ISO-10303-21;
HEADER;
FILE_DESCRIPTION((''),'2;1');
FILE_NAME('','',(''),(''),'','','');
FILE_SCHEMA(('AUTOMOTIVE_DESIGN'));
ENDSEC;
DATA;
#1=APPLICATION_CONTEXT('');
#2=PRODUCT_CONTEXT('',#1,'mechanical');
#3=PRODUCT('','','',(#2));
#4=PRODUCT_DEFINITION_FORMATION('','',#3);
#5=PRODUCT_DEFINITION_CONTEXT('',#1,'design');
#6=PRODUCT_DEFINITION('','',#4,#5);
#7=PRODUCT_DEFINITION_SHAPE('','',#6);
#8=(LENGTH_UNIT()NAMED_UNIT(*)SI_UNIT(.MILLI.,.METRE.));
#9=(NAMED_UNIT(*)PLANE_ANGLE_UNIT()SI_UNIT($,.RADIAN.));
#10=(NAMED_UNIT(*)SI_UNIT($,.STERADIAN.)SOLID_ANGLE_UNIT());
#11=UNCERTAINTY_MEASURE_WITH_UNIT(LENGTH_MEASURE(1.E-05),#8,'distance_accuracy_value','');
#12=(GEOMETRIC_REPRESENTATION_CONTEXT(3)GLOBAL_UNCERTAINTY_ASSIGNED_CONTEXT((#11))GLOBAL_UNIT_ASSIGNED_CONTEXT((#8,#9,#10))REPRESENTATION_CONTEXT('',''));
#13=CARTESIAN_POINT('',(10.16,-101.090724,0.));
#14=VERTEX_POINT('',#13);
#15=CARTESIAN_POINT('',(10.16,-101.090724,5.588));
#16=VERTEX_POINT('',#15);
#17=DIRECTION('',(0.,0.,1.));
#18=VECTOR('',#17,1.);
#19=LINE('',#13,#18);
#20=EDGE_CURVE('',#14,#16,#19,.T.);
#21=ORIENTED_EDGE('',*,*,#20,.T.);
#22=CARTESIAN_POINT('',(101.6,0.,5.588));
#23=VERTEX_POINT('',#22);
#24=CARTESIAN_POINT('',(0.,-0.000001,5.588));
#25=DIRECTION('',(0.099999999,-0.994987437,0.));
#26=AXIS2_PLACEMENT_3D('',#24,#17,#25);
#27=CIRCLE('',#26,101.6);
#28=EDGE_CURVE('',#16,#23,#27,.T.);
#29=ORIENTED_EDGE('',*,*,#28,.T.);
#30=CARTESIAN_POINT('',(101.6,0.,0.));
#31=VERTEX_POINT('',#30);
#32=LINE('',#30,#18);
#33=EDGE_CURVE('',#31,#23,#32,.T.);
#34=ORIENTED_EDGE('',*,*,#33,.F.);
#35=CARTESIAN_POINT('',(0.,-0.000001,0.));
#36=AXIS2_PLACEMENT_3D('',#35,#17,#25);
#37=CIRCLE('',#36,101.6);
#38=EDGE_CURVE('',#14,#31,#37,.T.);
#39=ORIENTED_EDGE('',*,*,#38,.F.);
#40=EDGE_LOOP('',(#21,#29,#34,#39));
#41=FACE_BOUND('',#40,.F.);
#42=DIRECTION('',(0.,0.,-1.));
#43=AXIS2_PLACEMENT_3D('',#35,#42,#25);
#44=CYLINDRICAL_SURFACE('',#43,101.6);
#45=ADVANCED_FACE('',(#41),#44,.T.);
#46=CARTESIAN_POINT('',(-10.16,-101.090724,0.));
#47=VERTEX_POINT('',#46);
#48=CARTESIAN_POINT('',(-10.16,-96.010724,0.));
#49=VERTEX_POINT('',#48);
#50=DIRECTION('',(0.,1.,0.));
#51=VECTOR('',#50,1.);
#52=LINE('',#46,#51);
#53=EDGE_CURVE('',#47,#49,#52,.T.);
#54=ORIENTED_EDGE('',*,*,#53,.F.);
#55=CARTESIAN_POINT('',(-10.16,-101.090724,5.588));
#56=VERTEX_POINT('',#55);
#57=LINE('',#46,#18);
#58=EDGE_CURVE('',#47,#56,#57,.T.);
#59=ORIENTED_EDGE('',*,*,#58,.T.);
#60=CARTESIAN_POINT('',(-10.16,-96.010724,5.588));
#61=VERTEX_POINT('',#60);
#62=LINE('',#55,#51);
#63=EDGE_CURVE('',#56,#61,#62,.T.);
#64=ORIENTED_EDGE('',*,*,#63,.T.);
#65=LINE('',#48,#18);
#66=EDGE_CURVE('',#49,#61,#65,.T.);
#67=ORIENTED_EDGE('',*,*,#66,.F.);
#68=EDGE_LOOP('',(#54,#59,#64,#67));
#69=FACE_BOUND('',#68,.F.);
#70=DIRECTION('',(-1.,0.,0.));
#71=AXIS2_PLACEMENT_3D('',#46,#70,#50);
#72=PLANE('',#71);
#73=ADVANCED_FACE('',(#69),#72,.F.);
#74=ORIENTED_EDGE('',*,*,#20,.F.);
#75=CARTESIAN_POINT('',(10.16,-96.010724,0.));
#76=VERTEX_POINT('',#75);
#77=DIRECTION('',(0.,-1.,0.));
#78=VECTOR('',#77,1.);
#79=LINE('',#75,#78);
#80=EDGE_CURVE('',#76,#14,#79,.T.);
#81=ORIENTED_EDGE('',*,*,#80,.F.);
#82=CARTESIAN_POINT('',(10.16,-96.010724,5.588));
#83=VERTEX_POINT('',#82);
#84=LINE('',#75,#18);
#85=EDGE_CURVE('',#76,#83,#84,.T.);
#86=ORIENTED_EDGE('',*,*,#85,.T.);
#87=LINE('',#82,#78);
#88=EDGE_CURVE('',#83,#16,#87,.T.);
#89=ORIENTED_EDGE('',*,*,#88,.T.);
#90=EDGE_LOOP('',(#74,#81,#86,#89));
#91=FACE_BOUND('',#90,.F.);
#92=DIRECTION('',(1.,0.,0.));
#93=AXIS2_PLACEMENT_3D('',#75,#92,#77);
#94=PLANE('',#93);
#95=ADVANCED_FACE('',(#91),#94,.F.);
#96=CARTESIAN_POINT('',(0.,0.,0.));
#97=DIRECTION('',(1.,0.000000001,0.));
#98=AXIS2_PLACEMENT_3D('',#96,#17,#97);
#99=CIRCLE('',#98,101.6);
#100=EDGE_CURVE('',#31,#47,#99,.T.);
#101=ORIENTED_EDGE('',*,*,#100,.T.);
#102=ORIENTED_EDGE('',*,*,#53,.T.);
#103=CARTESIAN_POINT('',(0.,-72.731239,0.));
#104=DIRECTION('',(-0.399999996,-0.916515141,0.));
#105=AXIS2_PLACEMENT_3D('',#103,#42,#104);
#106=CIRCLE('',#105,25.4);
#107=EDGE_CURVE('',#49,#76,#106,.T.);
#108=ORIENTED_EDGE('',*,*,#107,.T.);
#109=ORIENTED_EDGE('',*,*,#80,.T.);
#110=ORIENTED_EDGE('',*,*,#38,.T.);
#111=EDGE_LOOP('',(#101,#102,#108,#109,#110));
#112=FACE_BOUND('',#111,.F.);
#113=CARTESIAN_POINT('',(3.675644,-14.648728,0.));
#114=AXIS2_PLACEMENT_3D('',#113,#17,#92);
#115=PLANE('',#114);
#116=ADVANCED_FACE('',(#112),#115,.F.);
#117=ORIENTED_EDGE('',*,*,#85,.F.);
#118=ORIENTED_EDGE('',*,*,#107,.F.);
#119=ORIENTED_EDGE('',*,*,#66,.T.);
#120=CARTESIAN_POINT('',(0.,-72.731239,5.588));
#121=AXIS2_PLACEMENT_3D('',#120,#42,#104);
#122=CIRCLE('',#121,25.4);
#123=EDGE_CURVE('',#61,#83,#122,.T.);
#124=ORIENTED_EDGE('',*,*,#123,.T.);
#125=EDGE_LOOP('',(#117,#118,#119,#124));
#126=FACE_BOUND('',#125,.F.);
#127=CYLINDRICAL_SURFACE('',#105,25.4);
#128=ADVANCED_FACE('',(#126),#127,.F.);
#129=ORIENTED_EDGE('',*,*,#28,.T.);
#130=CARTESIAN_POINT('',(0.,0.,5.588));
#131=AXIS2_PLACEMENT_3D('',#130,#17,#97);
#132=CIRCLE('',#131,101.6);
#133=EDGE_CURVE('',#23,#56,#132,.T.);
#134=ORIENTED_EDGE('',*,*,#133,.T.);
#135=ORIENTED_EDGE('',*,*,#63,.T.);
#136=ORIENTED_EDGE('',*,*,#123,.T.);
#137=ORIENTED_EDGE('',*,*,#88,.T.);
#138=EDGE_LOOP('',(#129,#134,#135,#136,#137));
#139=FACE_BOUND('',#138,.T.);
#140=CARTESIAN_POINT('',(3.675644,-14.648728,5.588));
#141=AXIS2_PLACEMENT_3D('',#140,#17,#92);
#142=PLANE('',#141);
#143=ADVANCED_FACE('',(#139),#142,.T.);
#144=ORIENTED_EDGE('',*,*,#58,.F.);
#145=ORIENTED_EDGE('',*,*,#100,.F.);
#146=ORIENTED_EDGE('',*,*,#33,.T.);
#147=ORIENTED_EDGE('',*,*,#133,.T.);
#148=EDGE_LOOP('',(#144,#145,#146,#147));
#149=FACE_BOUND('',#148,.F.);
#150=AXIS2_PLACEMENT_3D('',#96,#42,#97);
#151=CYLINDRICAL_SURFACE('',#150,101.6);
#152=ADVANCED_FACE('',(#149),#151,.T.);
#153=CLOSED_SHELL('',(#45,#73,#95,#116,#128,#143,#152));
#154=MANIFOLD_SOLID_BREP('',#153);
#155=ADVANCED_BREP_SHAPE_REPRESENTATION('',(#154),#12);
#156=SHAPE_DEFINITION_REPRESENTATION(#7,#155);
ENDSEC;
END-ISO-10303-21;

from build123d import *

# Parameters (mm, degrees)
F1_DEPTH = 5.588


with BuildPart() as f1:
    # F0 (on Top) → F1 (new body)
    with BuildSketch(Plane.XY):
        with BuildLine():
            ThreePointArc((10.16, -101.090724), (75.348577, -68.155352), (101.6, 0))
            ThreePointArc((101.6, 0), (-68.155352, 75.348577), (-10.16, -101.090724))
            Line((-10.16, -101.090724), (-10.16, -96.010724))
            ThreePointArc((-10.16, -96.010724), (0, -47.331239), (10.16, -96.010724))
            Line((10.16, -96.010724), (10.16, -101.090724))
        make_face()
    extrude(amount=F1_DEPTH)


solid = f1.part
